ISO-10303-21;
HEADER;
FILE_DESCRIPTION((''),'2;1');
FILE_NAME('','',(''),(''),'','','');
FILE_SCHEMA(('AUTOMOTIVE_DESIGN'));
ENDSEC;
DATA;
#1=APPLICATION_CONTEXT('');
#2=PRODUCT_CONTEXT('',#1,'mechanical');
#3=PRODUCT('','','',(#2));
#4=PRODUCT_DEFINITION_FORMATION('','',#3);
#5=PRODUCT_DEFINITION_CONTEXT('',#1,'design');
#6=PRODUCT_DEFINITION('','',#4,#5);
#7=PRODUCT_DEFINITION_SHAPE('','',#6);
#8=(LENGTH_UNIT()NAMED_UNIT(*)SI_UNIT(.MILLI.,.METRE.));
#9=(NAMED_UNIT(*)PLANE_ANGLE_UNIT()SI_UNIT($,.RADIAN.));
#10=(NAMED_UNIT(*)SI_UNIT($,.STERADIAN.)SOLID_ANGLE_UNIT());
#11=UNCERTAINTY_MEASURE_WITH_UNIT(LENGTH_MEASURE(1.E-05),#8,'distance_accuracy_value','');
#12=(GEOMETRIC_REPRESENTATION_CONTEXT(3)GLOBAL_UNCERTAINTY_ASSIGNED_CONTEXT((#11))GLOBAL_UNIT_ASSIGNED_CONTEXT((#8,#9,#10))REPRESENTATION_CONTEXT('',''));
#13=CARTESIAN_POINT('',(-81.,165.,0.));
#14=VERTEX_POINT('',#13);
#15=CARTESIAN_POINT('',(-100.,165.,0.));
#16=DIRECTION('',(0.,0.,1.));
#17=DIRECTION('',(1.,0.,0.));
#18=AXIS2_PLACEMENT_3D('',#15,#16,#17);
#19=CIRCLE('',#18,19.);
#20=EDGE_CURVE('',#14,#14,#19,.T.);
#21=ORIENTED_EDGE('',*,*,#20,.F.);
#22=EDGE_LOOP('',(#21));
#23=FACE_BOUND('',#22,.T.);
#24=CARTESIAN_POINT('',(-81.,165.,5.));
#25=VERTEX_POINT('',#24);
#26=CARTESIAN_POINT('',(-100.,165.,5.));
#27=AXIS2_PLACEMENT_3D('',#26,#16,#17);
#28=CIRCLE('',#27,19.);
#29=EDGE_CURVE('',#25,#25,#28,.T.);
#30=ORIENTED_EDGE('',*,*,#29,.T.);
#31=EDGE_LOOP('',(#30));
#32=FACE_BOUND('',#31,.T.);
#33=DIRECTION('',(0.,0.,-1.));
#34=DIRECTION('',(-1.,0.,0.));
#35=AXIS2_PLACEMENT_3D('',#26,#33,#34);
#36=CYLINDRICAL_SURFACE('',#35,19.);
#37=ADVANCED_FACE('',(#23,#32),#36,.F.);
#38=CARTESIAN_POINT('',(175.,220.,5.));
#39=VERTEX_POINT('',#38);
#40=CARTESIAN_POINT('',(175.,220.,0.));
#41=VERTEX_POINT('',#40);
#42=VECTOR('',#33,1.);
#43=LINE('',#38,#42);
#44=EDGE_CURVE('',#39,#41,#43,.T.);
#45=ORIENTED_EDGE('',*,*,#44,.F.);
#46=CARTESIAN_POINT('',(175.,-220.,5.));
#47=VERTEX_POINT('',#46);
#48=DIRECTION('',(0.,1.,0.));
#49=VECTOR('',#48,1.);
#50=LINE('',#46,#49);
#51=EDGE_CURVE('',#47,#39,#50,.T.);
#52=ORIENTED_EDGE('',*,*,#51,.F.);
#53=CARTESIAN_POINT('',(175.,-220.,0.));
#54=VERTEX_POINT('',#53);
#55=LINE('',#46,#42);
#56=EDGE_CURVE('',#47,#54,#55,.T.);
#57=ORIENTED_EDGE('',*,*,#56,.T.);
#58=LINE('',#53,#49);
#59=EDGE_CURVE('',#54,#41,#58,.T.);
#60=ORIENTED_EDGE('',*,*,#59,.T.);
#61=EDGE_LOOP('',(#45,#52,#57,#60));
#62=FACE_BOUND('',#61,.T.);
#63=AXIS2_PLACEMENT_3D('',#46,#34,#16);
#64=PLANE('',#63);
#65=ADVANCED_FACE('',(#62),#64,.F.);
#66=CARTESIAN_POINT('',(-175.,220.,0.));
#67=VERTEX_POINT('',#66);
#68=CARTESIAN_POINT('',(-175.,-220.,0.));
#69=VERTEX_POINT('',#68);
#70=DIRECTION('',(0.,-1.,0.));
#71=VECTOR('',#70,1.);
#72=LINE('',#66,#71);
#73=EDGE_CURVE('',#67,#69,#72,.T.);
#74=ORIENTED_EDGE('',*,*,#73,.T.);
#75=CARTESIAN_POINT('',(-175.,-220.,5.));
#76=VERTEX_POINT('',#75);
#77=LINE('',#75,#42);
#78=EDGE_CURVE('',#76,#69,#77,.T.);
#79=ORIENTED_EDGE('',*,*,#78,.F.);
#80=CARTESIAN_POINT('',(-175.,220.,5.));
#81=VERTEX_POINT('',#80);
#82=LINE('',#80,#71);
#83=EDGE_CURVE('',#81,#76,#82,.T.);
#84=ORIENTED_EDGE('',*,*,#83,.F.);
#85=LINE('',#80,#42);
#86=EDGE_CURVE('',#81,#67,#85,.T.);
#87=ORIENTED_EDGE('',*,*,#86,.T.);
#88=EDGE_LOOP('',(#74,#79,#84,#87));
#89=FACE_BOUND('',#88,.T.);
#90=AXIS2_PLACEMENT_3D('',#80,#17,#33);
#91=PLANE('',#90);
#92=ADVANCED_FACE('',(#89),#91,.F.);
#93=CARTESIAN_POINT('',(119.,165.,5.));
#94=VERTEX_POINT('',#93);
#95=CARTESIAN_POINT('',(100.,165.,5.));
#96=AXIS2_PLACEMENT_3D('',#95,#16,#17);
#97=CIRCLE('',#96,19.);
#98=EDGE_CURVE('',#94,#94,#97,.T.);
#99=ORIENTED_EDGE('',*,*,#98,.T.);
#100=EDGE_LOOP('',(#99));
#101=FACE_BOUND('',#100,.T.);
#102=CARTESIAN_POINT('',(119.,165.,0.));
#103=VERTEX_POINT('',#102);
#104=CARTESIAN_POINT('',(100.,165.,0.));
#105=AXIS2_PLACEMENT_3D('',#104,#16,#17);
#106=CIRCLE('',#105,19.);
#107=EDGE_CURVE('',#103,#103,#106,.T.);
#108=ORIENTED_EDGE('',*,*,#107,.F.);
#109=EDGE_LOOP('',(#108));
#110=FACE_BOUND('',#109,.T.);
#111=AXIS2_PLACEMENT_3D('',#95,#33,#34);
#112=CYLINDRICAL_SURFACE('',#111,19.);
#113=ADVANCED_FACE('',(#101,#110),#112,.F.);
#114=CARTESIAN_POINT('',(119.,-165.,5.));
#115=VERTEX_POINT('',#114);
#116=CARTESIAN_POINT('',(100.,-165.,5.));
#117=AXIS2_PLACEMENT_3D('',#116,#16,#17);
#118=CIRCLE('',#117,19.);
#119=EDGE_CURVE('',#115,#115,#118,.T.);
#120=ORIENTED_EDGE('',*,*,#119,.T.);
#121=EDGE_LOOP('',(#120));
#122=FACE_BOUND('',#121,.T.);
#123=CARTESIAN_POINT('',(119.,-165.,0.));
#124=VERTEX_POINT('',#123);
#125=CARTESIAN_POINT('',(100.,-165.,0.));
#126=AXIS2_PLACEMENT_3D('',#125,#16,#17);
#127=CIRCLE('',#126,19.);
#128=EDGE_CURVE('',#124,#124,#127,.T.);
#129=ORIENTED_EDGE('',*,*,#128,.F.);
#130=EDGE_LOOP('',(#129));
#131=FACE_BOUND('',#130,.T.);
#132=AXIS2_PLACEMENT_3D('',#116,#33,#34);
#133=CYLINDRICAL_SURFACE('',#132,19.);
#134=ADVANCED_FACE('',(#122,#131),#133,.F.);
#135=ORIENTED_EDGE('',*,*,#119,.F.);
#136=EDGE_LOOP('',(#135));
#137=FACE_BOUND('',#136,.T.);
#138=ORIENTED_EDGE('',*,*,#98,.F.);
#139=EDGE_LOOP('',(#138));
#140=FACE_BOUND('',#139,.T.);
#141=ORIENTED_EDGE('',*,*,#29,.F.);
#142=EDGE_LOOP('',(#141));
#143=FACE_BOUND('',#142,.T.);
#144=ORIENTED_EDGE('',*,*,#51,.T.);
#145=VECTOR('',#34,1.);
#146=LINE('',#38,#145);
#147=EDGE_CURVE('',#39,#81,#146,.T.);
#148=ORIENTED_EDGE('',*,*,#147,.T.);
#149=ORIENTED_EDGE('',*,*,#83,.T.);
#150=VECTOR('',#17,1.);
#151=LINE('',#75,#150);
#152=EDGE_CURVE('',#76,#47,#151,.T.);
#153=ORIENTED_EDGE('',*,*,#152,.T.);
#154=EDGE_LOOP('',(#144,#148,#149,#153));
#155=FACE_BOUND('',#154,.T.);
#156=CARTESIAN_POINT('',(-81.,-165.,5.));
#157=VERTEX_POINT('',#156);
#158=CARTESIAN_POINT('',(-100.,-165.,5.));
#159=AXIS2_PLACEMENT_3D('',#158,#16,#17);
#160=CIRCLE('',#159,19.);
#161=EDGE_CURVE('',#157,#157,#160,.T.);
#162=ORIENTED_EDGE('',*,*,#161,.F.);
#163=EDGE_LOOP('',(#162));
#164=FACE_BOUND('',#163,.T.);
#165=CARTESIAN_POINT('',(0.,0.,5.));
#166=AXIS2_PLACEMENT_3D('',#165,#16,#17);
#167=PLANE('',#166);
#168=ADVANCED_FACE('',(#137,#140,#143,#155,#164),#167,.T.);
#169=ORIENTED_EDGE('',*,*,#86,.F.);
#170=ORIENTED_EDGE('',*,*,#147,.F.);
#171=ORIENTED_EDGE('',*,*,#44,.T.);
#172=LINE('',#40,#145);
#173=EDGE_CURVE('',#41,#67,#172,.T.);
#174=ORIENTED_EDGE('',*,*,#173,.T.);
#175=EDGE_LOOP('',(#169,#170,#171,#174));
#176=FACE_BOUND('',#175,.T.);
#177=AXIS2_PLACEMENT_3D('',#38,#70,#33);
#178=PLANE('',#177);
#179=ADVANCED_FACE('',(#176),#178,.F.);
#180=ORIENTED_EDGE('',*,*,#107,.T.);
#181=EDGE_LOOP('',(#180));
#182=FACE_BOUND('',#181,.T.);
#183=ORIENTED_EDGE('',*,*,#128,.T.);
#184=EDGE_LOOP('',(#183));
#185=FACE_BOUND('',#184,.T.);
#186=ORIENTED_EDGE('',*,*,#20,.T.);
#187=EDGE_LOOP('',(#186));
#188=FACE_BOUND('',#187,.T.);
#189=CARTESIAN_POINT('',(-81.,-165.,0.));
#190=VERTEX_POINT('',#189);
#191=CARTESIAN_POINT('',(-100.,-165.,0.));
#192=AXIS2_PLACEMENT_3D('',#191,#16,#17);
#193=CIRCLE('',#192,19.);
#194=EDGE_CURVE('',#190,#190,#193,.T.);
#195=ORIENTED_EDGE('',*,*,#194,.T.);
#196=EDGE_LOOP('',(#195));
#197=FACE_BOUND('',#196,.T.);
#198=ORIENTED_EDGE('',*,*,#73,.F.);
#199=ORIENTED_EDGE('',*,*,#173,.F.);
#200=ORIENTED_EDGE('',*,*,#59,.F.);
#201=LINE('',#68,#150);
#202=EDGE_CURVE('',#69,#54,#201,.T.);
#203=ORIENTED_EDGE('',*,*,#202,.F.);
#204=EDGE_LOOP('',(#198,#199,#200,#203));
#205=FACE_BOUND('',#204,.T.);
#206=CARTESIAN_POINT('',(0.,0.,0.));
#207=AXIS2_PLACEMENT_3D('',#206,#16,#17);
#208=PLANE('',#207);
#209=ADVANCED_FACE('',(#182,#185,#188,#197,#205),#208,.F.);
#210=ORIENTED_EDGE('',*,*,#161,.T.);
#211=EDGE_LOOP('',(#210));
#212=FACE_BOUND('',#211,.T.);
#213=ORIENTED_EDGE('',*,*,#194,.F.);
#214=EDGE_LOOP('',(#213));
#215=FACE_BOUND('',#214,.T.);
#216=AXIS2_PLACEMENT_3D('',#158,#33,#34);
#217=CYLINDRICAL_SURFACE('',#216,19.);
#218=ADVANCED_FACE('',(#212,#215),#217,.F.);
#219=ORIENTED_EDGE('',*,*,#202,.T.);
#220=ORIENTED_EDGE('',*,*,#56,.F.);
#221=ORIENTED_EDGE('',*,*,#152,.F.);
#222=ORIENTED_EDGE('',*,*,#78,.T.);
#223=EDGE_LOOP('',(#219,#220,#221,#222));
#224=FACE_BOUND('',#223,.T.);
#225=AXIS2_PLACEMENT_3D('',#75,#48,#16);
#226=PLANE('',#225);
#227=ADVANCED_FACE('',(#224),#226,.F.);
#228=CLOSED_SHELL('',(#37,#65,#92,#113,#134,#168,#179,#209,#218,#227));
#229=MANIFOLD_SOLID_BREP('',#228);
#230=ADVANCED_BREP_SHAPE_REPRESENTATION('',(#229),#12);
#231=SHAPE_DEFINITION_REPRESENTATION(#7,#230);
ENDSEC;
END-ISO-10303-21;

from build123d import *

# Parameters (mm, degrees)
SKETCH_1_W      = 350
SKETCH_1_H      = 440
SKETCH_1_R      = 19
EXTRUDE_1_DEPTH = 5


with BuildPart() as part:
    # Эскиз1 → Бобышка-Вытянуть1 (new body)
    with BuildSketch(Plane.XY):
        Rectangle(SKETCH_1_W, SKETCH_1_H)
        with Locations((-100, 165)):
            Circle(SKETCH_1_R, mode=Mode.SUBTRACT)
        with Locations((100, 165)):
            Circle(SKETCH_1_R, mode=Mode.SUBTRACT)
        with Locations((100, -165)):
            Circle(SKETCH_1_R, mode=Mode.SUBTRACT)
        with Locations((-100, -165)):
            Circle(SKETCH_1_R, mode=Mode.SUBTRACT)
    extrude(amount=EXTRUDE_1_DEPTH)


solid = part.part
